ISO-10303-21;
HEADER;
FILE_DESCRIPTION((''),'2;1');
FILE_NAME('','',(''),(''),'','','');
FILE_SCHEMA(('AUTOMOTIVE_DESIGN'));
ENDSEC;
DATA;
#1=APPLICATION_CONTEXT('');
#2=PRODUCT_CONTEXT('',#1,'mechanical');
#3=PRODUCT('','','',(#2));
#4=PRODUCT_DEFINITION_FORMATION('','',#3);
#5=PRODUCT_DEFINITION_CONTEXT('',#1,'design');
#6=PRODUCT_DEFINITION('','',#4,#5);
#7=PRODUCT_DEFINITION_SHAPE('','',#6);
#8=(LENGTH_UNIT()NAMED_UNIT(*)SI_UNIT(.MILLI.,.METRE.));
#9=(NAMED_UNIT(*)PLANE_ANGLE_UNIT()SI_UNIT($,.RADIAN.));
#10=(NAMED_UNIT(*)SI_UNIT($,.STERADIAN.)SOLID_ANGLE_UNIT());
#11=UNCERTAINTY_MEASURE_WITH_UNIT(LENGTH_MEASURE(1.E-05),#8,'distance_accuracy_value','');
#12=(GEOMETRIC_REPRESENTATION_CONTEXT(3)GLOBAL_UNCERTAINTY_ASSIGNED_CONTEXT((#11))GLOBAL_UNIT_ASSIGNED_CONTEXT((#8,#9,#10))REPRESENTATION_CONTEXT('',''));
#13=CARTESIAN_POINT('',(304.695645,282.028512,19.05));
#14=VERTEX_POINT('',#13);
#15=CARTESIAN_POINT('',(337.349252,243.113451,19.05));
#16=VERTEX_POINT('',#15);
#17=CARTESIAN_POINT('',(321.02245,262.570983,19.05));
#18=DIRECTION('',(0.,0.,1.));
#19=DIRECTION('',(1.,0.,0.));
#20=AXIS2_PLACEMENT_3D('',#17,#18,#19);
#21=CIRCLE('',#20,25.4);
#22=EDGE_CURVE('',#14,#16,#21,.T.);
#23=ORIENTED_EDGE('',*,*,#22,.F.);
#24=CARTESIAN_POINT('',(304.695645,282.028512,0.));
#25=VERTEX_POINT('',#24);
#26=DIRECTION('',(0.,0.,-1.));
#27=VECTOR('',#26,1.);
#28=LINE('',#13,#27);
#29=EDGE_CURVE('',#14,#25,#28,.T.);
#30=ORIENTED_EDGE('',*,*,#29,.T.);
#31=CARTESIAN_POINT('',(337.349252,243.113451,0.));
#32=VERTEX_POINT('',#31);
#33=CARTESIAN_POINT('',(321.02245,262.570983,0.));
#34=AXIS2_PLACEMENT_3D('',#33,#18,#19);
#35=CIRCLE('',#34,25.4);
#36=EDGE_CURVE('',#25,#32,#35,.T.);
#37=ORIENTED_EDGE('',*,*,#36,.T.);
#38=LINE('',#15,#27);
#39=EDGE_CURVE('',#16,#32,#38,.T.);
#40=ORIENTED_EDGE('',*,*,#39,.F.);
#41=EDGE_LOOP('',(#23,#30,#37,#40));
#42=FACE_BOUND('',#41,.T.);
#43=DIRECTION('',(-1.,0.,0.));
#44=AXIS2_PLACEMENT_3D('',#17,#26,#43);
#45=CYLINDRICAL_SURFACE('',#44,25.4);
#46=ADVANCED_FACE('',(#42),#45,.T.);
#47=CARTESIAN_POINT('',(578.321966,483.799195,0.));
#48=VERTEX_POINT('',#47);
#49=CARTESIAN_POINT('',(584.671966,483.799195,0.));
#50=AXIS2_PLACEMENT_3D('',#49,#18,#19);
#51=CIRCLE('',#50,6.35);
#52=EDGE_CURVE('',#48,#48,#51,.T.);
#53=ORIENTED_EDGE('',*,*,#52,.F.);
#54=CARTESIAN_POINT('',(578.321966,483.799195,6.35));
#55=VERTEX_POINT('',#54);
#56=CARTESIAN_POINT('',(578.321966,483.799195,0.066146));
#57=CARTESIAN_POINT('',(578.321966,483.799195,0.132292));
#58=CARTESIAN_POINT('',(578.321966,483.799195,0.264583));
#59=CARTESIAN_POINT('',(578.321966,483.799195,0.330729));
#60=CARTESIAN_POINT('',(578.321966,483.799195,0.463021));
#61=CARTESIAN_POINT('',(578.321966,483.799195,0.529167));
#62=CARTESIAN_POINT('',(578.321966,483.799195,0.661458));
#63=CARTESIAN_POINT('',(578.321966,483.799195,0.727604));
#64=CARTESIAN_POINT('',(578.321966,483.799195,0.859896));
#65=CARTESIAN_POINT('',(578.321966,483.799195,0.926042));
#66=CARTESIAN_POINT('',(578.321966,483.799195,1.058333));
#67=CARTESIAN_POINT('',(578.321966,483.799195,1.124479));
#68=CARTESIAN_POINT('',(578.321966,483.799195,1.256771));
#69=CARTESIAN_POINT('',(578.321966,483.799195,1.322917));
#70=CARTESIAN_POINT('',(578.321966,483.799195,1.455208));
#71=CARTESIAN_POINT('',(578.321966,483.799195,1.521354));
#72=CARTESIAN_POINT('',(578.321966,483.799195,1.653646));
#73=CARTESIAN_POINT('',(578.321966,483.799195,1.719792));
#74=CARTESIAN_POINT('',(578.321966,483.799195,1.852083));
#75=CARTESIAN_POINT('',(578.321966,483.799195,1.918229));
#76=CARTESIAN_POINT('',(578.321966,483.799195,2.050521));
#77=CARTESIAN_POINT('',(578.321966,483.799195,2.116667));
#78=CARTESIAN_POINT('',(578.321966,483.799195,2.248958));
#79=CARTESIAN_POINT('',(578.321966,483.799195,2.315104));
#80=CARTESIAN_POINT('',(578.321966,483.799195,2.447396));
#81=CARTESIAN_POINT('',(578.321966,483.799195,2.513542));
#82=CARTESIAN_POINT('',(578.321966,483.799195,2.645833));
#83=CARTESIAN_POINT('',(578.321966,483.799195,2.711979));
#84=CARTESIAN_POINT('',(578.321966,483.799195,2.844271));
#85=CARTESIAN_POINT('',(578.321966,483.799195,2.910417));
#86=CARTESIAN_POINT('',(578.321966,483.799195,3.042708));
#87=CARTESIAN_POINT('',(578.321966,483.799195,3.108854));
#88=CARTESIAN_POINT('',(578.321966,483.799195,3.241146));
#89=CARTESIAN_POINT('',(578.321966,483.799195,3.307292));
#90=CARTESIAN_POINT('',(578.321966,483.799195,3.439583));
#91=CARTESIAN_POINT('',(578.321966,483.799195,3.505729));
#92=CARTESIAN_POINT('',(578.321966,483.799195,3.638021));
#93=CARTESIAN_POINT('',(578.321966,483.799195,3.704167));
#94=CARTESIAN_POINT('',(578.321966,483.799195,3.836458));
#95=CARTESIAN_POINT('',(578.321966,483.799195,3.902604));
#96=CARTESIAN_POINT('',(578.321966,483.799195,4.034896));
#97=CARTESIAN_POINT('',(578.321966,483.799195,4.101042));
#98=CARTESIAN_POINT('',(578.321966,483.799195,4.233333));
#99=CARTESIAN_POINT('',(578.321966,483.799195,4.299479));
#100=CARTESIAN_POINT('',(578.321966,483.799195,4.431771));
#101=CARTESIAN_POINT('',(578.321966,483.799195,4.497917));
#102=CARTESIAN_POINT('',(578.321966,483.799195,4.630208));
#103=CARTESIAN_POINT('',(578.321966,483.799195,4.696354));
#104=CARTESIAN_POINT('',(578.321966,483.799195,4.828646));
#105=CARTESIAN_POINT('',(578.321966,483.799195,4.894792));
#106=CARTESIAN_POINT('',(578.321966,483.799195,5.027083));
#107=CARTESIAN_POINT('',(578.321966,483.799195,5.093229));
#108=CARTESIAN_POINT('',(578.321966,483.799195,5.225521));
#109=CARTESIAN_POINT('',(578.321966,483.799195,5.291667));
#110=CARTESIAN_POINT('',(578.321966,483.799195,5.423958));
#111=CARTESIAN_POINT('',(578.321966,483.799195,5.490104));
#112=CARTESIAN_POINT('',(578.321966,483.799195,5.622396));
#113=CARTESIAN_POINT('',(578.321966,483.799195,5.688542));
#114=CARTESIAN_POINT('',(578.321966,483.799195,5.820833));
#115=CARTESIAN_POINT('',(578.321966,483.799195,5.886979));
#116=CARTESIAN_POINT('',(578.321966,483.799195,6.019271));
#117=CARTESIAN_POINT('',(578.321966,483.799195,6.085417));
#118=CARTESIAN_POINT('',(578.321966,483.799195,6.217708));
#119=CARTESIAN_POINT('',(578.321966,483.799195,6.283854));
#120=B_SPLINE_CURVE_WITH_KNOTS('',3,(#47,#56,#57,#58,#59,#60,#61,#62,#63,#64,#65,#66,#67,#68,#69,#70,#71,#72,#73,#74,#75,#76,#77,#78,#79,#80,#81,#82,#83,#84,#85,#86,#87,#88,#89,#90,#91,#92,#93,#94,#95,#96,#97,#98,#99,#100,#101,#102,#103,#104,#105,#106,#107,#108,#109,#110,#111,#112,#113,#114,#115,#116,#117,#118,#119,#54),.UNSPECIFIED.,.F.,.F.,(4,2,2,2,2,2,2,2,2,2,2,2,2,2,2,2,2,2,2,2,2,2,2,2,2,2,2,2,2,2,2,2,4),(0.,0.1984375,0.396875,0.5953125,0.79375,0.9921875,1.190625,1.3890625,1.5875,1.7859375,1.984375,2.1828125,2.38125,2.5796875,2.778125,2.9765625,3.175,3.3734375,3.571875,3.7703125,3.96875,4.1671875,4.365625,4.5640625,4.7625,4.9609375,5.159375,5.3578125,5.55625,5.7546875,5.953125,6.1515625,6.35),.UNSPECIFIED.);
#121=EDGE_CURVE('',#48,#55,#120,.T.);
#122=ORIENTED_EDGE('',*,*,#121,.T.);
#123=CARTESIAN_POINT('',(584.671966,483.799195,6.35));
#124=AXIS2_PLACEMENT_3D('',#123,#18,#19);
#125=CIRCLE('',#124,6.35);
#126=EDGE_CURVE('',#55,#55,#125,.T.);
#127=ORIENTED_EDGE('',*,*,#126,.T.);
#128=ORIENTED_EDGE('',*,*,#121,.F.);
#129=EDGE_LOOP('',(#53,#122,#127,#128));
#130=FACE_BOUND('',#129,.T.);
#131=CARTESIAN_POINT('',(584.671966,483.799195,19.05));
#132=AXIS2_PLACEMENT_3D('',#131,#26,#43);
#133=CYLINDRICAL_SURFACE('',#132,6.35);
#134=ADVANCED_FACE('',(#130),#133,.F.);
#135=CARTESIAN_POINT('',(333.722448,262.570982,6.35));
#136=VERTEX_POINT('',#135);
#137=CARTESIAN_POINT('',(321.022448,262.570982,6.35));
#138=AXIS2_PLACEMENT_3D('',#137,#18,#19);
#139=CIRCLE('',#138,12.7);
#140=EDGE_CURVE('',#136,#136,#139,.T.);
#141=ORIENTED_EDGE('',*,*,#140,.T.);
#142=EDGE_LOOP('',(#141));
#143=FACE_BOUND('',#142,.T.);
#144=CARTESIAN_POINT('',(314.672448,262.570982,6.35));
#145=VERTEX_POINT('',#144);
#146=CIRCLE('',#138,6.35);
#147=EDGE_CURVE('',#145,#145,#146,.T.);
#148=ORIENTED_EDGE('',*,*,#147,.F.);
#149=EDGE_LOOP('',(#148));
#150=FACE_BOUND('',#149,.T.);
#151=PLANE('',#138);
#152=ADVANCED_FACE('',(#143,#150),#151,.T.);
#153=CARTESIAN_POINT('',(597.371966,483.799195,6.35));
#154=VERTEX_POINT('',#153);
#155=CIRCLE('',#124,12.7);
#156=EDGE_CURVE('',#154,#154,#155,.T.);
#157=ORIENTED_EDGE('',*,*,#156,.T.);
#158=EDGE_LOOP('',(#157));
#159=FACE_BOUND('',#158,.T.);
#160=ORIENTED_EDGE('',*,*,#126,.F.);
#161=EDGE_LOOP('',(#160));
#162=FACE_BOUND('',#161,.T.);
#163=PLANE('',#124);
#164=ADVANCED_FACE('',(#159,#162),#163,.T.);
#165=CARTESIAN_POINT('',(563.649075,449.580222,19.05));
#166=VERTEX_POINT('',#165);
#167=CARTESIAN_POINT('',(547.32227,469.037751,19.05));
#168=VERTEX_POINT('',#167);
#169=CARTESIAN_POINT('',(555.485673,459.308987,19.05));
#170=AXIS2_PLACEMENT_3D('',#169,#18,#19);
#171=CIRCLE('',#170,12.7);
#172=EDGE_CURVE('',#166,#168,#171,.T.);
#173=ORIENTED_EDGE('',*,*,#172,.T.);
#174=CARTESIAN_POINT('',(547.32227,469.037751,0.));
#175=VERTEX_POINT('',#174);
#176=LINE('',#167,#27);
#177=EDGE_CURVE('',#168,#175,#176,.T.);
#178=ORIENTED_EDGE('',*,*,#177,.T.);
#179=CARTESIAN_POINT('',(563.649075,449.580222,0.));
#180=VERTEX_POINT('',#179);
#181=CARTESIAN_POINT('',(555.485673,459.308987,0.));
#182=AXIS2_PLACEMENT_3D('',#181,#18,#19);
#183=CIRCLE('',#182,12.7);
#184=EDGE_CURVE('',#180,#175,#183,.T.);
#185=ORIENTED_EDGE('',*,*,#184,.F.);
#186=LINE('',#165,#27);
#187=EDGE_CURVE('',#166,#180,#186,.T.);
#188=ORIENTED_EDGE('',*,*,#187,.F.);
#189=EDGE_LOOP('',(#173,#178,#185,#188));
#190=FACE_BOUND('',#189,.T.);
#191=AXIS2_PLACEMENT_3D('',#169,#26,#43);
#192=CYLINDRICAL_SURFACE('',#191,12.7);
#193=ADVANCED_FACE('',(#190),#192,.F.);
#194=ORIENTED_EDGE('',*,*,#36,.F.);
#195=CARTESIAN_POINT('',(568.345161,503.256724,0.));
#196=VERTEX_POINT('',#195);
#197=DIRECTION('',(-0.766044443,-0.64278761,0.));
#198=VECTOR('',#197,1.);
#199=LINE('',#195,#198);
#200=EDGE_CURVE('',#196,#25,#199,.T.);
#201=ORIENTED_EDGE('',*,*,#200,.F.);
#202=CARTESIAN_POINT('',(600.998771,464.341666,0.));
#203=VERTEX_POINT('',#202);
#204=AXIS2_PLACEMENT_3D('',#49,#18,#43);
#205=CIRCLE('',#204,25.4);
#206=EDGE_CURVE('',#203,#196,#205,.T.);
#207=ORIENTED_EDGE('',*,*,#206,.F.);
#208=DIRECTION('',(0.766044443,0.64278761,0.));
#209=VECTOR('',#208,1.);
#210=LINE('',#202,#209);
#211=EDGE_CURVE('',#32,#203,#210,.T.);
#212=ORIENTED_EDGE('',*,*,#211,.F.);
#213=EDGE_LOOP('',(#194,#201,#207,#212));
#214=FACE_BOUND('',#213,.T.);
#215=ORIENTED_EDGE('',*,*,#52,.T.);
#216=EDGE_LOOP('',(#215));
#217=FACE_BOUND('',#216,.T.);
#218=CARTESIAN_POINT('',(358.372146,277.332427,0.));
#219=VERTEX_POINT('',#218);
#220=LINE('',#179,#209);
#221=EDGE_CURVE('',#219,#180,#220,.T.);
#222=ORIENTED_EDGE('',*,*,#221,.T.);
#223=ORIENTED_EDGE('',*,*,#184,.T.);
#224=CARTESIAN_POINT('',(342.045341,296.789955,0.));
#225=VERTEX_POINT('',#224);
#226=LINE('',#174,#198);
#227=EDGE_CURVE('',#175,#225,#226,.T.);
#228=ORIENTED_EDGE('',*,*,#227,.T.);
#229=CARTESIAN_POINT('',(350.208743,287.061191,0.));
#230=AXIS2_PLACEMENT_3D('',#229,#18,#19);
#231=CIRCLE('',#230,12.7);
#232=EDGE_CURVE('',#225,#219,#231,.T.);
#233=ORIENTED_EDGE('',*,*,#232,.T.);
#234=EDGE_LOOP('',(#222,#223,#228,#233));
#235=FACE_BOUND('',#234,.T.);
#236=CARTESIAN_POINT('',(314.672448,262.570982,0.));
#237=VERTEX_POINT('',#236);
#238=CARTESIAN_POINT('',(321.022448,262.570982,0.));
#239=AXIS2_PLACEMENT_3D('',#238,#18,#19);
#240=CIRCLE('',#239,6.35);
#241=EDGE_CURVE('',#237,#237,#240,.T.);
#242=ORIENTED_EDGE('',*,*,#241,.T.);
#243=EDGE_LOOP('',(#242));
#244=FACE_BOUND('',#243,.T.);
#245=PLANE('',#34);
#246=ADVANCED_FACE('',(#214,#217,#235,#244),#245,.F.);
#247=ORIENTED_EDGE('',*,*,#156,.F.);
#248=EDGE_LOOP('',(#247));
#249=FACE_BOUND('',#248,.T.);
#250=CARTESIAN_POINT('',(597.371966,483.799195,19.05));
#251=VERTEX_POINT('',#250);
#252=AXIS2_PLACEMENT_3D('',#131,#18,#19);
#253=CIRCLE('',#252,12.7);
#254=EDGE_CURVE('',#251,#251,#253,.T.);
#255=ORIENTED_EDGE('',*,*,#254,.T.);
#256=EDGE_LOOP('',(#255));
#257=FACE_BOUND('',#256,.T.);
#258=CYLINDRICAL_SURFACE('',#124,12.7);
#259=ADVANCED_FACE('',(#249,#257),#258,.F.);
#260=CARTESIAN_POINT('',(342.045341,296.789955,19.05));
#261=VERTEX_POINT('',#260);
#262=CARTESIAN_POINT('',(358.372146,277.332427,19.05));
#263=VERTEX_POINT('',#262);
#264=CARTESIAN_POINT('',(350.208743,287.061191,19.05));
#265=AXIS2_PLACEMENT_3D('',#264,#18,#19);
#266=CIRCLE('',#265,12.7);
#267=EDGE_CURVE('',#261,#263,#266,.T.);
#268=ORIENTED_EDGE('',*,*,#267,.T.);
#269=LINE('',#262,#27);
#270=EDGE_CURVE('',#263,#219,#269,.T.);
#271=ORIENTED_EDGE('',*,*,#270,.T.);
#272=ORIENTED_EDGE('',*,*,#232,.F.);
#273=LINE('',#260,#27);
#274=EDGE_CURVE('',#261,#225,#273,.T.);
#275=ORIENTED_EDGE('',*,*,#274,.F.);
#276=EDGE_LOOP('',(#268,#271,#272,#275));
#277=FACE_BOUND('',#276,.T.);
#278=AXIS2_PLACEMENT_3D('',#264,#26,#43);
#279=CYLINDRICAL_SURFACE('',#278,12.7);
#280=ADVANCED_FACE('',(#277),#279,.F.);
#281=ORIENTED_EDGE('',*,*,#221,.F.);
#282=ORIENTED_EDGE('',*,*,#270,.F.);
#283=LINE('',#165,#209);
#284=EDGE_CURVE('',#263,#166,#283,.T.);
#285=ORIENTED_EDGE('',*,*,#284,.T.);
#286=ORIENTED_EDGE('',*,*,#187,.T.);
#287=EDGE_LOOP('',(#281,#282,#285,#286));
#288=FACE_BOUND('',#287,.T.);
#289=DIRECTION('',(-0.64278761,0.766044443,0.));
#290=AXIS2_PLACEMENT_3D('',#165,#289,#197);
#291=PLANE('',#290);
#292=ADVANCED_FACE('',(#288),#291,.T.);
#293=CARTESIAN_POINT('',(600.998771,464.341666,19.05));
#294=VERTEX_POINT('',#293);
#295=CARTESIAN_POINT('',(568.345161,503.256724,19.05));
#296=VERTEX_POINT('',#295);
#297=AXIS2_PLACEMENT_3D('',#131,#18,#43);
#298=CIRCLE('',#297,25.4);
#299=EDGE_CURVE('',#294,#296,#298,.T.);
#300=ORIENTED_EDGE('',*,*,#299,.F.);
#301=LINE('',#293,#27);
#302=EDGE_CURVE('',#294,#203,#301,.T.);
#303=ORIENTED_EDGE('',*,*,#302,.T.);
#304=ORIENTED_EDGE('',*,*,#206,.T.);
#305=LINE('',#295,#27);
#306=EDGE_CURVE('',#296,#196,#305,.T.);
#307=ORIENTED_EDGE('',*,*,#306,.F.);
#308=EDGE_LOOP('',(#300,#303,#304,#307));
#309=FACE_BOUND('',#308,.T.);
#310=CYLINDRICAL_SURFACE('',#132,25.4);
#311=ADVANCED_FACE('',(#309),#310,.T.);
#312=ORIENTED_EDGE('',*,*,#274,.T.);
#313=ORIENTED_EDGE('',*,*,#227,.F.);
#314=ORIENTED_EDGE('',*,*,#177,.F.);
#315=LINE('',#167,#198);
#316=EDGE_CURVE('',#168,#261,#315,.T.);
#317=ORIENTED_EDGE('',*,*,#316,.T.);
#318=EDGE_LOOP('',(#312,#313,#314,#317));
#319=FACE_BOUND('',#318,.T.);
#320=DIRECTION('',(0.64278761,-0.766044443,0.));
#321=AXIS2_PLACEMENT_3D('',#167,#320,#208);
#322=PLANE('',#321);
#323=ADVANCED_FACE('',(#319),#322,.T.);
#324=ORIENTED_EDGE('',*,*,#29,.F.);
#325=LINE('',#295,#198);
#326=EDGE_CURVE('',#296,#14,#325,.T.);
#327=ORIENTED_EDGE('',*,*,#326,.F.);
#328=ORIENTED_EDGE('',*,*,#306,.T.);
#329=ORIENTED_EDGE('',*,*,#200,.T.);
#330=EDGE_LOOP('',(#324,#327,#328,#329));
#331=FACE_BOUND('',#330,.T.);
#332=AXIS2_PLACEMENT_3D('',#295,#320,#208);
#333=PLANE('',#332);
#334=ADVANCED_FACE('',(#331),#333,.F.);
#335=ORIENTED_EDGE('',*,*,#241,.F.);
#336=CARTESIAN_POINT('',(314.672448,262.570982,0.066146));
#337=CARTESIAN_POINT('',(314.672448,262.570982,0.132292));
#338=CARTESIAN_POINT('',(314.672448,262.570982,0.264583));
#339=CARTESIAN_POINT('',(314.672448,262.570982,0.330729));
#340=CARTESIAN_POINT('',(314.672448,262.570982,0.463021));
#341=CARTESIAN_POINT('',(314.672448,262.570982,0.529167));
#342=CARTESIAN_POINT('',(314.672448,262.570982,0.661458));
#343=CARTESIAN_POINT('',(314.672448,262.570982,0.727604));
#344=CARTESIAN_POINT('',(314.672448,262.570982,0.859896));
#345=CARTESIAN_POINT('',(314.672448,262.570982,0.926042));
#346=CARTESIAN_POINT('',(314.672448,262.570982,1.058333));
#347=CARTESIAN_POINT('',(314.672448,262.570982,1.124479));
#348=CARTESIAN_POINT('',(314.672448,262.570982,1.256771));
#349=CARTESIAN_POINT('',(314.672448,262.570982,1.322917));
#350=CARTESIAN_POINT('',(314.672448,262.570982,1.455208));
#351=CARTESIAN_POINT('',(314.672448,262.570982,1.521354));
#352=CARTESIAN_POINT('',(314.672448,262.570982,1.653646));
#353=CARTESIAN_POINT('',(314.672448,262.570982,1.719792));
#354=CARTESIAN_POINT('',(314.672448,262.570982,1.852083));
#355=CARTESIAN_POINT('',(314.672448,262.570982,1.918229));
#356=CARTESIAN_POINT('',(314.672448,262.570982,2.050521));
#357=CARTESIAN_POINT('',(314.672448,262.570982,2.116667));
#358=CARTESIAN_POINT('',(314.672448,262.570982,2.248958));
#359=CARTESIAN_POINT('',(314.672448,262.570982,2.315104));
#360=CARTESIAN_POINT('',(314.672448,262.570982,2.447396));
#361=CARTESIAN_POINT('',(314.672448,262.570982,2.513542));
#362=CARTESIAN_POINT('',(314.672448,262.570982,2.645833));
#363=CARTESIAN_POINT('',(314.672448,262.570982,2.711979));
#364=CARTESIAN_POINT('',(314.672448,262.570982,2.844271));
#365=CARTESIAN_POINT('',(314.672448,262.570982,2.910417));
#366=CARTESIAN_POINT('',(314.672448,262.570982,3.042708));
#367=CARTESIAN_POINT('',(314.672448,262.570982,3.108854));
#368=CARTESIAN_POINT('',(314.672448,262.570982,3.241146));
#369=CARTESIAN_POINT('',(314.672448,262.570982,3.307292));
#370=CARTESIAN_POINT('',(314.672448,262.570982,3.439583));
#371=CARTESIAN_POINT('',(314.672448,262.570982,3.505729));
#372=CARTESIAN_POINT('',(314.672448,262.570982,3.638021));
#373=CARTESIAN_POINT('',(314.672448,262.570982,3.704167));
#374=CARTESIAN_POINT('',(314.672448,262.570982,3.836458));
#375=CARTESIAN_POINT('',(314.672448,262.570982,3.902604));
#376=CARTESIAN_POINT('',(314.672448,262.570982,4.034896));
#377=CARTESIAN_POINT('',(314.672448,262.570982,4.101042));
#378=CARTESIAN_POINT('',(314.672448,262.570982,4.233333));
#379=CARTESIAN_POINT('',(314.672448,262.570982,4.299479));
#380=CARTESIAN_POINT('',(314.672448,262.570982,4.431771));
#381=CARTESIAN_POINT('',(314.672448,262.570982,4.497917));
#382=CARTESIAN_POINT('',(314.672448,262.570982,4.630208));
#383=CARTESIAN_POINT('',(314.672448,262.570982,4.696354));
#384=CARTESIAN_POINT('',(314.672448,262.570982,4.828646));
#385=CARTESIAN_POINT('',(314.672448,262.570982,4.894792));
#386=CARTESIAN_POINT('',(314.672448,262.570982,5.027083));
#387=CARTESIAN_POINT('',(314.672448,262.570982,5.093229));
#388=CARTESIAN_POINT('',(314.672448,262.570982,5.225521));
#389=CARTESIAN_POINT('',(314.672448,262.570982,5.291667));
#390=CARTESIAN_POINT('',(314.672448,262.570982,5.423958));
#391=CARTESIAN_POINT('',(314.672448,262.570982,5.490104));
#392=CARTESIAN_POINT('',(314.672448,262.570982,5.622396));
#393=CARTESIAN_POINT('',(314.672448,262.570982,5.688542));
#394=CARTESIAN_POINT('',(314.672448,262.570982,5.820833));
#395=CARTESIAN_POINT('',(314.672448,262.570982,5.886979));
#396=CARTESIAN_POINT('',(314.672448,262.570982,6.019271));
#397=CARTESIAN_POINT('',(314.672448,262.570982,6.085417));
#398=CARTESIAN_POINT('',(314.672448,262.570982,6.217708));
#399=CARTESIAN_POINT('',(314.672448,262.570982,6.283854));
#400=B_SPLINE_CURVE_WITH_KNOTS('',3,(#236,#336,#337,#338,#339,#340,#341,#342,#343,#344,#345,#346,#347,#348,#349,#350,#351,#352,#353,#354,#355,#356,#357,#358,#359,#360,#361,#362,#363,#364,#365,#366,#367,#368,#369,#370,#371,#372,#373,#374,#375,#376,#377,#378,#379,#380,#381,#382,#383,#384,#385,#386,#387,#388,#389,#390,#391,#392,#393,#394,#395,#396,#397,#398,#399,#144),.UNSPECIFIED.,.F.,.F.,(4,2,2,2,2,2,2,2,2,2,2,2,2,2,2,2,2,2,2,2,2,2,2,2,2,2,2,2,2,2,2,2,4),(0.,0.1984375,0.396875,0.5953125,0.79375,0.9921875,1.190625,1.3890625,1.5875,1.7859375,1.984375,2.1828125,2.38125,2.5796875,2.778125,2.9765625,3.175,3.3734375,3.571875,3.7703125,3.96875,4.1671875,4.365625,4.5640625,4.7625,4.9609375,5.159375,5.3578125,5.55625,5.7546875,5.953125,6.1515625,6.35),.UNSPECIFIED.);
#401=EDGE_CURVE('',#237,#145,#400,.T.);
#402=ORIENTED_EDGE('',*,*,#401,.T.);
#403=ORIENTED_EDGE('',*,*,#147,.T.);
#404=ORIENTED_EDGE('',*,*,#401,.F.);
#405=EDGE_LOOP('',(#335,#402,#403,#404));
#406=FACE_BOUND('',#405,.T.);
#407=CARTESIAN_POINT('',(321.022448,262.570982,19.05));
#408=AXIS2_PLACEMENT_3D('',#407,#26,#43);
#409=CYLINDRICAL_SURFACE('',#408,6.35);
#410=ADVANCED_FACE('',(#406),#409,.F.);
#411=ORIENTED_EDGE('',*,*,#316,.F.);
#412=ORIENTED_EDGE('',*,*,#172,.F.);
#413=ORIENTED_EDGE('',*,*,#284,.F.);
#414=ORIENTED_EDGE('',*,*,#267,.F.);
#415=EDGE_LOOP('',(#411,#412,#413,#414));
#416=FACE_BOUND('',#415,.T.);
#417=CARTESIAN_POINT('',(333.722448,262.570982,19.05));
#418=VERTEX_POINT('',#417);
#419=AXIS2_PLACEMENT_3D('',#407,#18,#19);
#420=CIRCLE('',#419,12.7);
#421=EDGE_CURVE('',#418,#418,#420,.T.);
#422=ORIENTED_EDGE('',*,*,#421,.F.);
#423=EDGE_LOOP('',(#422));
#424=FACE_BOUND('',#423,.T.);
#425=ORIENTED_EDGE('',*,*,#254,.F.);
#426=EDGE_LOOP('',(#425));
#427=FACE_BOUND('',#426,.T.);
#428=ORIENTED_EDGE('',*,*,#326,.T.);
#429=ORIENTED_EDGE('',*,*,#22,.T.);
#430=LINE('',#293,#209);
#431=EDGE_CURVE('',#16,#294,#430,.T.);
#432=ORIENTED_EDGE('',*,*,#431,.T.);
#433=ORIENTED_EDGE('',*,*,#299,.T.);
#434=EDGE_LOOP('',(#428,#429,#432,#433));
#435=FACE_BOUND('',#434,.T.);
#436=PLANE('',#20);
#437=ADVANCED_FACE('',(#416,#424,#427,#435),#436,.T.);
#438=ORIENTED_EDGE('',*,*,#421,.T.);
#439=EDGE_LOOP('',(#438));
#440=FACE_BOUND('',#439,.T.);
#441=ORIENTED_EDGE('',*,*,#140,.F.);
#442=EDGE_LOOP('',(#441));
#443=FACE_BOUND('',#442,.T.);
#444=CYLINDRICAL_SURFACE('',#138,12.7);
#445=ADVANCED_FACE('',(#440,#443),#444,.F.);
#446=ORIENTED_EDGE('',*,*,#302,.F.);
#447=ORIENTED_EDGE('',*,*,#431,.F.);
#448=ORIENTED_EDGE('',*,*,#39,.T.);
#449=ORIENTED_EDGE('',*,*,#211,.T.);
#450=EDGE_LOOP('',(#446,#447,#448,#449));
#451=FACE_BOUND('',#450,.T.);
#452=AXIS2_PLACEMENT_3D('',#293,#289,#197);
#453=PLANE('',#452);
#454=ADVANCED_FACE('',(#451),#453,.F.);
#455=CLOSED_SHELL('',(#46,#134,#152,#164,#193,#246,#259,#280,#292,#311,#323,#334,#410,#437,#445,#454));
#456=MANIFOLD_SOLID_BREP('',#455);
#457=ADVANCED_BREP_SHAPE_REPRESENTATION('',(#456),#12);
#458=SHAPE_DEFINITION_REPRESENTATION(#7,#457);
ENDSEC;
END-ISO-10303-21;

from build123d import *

# Parameters (mm, degrees)
SKETCH1_R           = 6.35
BOSS_EXTRUDE1_DEPTH = 19.05
SKETCH2_R           = 12.7
CUT_EXTRUDE1_DEPTH  = 12.7


with BuildPart() as part:
    # Sketch1 → Boss-Extrude1 (new body)
    with BuildSketch(Plane.XY):
        with BuildLine():
            Line((568.345160721, 503.256723569), (304.695644733, 282.028511943))
            ThreePointArc((304.695644733, 282.028511943), (301.564919628, 246.244179632), (337.349251645, 243.113451162))
            Line((337.349251645, 243.113451162), (600.998771294, 464.341665859))
            ThreePointArc((600.998771294, 464.341665859), (604.129494863, 500.126), (568.345160721, 503.256723569))
        make_face()
        with Locations(Location((321.022448189, 262.570981553, 0), (0, 0, 180))):
            Circle(SKETCH1_R, mode=Mode.SUBTRACT)
        with Locations(Location((584.671966007, 483.799194714, 0), (0, 0, 180))):
            Circle(SKETCH1_R, mode=Mode.SUBTRACT)
        with BuildLine():
            Line((563.649075368, 449.580222357), (358.372145945, 277.33242659))
            ThreePointArc((358.372145945, 277.33242659), (340.479978874, 278.897788374), (342.045340659, 296.789955445))
            Line((342.045340659, 296.789955445), (547.322270082, 469.037751213))
            ThreePointArc((547.322270082, 469.037751213), (565.214437152, 467.472389428), (563.649075368, 449.580222357))
        make_face(mode=Mode.SUBTRACT)
    extrude(amount=BOSS_EXTRUDE1_DEPTH)

    # Sketch2 → Cut-Extrude1 (cut)
    with BuildSketch(Plane.XY.offset(19.05)):
        with Locations((321.022448189, 262.570981553)):
            Circle(SKETCH2_R)
        with Locations((584.671966007, 483.799194714)):
            Circle(SKETCH2_R)
    extrude(amount=-CUT_EXTRUDE1_DEPTH, mode=Mode.SUBTRACT)


solid = part.part
